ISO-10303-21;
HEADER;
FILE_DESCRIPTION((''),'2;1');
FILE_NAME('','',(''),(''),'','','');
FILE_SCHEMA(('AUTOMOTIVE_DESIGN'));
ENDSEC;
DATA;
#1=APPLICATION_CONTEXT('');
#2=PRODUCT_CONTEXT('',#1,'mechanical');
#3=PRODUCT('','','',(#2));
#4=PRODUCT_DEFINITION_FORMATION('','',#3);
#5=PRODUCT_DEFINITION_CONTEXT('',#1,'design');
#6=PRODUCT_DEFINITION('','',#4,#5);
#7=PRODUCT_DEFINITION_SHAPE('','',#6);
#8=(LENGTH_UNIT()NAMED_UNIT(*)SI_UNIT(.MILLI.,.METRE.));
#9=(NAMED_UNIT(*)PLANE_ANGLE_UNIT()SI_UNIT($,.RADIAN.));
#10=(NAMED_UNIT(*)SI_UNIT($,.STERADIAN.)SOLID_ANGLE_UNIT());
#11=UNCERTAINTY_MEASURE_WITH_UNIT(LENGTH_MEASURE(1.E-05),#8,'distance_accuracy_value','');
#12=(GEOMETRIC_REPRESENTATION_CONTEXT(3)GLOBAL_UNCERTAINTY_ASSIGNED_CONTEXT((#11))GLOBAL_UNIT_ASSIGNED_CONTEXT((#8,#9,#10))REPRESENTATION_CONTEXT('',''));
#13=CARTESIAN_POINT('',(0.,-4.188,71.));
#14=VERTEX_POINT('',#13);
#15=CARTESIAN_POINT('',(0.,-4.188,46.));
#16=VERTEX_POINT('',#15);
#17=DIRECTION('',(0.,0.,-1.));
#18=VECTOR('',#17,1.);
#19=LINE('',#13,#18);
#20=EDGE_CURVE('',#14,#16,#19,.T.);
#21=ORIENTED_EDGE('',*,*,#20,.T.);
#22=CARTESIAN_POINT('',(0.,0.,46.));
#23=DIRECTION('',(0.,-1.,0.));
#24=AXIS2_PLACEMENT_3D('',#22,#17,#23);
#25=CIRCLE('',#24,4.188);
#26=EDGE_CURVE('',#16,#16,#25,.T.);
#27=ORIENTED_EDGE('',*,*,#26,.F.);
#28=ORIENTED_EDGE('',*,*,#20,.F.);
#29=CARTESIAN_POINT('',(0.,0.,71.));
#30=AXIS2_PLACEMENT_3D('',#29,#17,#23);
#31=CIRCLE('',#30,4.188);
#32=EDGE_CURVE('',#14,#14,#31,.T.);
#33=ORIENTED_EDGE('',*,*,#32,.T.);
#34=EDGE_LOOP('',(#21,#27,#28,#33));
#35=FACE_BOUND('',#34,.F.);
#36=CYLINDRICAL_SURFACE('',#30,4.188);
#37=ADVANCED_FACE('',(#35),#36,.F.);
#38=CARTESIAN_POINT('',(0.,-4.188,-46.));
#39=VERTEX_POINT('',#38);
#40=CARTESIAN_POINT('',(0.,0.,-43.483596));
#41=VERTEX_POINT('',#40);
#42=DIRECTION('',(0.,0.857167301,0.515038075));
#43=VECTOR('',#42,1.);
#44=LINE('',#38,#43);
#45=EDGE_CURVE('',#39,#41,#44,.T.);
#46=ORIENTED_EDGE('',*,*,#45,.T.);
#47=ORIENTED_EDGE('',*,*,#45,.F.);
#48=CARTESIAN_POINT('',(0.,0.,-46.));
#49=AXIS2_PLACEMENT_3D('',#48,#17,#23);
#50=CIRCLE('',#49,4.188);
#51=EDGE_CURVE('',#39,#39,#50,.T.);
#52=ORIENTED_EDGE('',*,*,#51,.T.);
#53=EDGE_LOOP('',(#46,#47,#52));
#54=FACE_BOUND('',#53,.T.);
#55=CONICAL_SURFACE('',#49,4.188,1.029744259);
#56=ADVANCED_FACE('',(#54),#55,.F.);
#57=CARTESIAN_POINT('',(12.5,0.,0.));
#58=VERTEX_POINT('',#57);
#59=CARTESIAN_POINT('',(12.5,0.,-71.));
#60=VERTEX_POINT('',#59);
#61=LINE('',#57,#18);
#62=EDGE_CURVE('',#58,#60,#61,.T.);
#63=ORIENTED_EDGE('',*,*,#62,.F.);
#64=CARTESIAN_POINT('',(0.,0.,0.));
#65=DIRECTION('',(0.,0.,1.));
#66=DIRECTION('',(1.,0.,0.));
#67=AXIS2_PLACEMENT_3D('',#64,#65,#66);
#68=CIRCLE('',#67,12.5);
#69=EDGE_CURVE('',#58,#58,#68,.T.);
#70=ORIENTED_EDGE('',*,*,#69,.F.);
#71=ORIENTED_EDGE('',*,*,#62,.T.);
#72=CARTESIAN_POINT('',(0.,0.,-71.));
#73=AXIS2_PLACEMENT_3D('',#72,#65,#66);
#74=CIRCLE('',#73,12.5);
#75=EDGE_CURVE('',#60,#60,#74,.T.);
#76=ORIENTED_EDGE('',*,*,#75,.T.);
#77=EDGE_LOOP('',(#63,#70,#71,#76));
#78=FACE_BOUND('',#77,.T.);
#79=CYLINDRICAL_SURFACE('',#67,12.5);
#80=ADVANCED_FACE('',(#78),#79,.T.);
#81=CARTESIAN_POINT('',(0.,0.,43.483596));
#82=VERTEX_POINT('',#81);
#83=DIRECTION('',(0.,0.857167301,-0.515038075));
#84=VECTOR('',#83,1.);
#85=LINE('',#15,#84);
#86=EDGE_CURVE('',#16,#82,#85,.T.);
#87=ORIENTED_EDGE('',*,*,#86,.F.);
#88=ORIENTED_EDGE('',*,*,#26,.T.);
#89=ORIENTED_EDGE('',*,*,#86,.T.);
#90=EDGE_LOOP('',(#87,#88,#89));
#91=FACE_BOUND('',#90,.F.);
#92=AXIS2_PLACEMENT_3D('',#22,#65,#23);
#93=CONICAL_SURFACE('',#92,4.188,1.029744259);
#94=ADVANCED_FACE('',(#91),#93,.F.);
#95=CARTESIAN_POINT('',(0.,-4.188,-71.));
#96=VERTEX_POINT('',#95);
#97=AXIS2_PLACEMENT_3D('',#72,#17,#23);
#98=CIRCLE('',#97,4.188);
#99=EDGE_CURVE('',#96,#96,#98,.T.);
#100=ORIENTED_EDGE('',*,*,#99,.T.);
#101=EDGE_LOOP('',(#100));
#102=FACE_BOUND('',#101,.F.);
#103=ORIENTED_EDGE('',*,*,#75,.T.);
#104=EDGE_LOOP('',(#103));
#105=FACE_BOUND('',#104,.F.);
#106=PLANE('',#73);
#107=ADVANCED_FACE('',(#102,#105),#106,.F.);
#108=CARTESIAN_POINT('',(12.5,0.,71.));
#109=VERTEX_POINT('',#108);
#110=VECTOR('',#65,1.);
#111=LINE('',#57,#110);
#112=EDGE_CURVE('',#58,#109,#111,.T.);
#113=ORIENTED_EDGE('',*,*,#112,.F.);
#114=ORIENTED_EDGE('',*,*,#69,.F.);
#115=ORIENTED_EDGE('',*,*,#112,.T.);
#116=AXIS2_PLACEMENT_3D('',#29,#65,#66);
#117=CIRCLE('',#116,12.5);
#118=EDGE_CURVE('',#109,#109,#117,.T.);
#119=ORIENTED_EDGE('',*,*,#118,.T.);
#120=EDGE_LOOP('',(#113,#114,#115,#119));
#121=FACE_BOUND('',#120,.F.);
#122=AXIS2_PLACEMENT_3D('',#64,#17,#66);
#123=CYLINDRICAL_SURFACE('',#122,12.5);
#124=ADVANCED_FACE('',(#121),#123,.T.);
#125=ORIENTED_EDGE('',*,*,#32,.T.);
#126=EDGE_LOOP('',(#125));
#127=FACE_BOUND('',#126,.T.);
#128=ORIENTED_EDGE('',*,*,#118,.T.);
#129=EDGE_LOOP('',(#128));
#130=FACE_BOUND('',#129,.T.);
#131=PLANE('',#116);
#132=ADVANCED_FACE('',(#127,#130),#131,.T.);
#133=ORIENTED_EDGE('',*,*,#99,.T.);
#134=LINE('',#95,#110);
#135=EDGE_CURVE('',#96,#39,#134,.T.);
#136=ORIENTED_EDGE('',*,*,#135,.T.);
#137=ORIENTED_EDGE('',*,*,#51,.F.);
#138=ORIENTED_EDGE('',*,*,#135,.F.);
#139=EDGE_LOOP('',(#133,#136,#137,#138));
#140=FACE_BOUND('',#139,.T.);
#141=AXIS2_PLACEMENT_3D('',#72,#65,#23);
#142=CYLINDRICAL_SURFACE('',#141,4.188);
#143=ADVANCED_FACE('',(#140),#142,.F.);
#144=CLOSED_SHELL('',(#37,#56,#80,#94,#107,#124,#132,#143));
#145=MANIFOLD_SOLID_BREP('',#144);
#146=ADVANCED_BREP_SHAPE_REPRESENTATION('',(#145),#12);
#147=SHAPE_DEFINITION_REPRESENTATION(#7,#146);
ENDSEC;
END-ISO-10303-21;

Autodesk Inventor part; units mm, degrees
ref_plane "YZ Plane" through (0, 0, 0) normal (1, 0, 0) x (0, 1, 0)
ref_plane "XZ Plane" through (0, 0, 0) normal (0, 1, 0) x (-1, 0, 0)
ref_plane "XY Plane" through (0, 0, 0) normal (0, 0, 1) x (1, 0, 0)
sketch "Sketch1" plane through (0, 0, 0) normal (0, 0, 1) x (1, 0, 0)
  circle A0 centre (0, 0) radius 12.5
  dimension "d0" = 25
extrude "Extrusion1" add sketch "Sketch1" along normal mid plane 142
sketch "Sketch2" plane through (0, 0, 71) normal (0, 0, 1) x (1, 0, 0)
  circle A0 centre (0, 0) radius 12.5 projected
hole "Hole1" at (0, 0, 71) direction (0, 0, -1) diameter 8.376 depth 25 tip angle 118 thread size "M10x1.5" class "6H" standard "ISO Metric profile"
mirror "Mirror1" about plane through (0, 0, 0) normal (0, 0, 1) of "Hole1"
properties part number "ADSK-MH-10013" material "Steel, Mild"
